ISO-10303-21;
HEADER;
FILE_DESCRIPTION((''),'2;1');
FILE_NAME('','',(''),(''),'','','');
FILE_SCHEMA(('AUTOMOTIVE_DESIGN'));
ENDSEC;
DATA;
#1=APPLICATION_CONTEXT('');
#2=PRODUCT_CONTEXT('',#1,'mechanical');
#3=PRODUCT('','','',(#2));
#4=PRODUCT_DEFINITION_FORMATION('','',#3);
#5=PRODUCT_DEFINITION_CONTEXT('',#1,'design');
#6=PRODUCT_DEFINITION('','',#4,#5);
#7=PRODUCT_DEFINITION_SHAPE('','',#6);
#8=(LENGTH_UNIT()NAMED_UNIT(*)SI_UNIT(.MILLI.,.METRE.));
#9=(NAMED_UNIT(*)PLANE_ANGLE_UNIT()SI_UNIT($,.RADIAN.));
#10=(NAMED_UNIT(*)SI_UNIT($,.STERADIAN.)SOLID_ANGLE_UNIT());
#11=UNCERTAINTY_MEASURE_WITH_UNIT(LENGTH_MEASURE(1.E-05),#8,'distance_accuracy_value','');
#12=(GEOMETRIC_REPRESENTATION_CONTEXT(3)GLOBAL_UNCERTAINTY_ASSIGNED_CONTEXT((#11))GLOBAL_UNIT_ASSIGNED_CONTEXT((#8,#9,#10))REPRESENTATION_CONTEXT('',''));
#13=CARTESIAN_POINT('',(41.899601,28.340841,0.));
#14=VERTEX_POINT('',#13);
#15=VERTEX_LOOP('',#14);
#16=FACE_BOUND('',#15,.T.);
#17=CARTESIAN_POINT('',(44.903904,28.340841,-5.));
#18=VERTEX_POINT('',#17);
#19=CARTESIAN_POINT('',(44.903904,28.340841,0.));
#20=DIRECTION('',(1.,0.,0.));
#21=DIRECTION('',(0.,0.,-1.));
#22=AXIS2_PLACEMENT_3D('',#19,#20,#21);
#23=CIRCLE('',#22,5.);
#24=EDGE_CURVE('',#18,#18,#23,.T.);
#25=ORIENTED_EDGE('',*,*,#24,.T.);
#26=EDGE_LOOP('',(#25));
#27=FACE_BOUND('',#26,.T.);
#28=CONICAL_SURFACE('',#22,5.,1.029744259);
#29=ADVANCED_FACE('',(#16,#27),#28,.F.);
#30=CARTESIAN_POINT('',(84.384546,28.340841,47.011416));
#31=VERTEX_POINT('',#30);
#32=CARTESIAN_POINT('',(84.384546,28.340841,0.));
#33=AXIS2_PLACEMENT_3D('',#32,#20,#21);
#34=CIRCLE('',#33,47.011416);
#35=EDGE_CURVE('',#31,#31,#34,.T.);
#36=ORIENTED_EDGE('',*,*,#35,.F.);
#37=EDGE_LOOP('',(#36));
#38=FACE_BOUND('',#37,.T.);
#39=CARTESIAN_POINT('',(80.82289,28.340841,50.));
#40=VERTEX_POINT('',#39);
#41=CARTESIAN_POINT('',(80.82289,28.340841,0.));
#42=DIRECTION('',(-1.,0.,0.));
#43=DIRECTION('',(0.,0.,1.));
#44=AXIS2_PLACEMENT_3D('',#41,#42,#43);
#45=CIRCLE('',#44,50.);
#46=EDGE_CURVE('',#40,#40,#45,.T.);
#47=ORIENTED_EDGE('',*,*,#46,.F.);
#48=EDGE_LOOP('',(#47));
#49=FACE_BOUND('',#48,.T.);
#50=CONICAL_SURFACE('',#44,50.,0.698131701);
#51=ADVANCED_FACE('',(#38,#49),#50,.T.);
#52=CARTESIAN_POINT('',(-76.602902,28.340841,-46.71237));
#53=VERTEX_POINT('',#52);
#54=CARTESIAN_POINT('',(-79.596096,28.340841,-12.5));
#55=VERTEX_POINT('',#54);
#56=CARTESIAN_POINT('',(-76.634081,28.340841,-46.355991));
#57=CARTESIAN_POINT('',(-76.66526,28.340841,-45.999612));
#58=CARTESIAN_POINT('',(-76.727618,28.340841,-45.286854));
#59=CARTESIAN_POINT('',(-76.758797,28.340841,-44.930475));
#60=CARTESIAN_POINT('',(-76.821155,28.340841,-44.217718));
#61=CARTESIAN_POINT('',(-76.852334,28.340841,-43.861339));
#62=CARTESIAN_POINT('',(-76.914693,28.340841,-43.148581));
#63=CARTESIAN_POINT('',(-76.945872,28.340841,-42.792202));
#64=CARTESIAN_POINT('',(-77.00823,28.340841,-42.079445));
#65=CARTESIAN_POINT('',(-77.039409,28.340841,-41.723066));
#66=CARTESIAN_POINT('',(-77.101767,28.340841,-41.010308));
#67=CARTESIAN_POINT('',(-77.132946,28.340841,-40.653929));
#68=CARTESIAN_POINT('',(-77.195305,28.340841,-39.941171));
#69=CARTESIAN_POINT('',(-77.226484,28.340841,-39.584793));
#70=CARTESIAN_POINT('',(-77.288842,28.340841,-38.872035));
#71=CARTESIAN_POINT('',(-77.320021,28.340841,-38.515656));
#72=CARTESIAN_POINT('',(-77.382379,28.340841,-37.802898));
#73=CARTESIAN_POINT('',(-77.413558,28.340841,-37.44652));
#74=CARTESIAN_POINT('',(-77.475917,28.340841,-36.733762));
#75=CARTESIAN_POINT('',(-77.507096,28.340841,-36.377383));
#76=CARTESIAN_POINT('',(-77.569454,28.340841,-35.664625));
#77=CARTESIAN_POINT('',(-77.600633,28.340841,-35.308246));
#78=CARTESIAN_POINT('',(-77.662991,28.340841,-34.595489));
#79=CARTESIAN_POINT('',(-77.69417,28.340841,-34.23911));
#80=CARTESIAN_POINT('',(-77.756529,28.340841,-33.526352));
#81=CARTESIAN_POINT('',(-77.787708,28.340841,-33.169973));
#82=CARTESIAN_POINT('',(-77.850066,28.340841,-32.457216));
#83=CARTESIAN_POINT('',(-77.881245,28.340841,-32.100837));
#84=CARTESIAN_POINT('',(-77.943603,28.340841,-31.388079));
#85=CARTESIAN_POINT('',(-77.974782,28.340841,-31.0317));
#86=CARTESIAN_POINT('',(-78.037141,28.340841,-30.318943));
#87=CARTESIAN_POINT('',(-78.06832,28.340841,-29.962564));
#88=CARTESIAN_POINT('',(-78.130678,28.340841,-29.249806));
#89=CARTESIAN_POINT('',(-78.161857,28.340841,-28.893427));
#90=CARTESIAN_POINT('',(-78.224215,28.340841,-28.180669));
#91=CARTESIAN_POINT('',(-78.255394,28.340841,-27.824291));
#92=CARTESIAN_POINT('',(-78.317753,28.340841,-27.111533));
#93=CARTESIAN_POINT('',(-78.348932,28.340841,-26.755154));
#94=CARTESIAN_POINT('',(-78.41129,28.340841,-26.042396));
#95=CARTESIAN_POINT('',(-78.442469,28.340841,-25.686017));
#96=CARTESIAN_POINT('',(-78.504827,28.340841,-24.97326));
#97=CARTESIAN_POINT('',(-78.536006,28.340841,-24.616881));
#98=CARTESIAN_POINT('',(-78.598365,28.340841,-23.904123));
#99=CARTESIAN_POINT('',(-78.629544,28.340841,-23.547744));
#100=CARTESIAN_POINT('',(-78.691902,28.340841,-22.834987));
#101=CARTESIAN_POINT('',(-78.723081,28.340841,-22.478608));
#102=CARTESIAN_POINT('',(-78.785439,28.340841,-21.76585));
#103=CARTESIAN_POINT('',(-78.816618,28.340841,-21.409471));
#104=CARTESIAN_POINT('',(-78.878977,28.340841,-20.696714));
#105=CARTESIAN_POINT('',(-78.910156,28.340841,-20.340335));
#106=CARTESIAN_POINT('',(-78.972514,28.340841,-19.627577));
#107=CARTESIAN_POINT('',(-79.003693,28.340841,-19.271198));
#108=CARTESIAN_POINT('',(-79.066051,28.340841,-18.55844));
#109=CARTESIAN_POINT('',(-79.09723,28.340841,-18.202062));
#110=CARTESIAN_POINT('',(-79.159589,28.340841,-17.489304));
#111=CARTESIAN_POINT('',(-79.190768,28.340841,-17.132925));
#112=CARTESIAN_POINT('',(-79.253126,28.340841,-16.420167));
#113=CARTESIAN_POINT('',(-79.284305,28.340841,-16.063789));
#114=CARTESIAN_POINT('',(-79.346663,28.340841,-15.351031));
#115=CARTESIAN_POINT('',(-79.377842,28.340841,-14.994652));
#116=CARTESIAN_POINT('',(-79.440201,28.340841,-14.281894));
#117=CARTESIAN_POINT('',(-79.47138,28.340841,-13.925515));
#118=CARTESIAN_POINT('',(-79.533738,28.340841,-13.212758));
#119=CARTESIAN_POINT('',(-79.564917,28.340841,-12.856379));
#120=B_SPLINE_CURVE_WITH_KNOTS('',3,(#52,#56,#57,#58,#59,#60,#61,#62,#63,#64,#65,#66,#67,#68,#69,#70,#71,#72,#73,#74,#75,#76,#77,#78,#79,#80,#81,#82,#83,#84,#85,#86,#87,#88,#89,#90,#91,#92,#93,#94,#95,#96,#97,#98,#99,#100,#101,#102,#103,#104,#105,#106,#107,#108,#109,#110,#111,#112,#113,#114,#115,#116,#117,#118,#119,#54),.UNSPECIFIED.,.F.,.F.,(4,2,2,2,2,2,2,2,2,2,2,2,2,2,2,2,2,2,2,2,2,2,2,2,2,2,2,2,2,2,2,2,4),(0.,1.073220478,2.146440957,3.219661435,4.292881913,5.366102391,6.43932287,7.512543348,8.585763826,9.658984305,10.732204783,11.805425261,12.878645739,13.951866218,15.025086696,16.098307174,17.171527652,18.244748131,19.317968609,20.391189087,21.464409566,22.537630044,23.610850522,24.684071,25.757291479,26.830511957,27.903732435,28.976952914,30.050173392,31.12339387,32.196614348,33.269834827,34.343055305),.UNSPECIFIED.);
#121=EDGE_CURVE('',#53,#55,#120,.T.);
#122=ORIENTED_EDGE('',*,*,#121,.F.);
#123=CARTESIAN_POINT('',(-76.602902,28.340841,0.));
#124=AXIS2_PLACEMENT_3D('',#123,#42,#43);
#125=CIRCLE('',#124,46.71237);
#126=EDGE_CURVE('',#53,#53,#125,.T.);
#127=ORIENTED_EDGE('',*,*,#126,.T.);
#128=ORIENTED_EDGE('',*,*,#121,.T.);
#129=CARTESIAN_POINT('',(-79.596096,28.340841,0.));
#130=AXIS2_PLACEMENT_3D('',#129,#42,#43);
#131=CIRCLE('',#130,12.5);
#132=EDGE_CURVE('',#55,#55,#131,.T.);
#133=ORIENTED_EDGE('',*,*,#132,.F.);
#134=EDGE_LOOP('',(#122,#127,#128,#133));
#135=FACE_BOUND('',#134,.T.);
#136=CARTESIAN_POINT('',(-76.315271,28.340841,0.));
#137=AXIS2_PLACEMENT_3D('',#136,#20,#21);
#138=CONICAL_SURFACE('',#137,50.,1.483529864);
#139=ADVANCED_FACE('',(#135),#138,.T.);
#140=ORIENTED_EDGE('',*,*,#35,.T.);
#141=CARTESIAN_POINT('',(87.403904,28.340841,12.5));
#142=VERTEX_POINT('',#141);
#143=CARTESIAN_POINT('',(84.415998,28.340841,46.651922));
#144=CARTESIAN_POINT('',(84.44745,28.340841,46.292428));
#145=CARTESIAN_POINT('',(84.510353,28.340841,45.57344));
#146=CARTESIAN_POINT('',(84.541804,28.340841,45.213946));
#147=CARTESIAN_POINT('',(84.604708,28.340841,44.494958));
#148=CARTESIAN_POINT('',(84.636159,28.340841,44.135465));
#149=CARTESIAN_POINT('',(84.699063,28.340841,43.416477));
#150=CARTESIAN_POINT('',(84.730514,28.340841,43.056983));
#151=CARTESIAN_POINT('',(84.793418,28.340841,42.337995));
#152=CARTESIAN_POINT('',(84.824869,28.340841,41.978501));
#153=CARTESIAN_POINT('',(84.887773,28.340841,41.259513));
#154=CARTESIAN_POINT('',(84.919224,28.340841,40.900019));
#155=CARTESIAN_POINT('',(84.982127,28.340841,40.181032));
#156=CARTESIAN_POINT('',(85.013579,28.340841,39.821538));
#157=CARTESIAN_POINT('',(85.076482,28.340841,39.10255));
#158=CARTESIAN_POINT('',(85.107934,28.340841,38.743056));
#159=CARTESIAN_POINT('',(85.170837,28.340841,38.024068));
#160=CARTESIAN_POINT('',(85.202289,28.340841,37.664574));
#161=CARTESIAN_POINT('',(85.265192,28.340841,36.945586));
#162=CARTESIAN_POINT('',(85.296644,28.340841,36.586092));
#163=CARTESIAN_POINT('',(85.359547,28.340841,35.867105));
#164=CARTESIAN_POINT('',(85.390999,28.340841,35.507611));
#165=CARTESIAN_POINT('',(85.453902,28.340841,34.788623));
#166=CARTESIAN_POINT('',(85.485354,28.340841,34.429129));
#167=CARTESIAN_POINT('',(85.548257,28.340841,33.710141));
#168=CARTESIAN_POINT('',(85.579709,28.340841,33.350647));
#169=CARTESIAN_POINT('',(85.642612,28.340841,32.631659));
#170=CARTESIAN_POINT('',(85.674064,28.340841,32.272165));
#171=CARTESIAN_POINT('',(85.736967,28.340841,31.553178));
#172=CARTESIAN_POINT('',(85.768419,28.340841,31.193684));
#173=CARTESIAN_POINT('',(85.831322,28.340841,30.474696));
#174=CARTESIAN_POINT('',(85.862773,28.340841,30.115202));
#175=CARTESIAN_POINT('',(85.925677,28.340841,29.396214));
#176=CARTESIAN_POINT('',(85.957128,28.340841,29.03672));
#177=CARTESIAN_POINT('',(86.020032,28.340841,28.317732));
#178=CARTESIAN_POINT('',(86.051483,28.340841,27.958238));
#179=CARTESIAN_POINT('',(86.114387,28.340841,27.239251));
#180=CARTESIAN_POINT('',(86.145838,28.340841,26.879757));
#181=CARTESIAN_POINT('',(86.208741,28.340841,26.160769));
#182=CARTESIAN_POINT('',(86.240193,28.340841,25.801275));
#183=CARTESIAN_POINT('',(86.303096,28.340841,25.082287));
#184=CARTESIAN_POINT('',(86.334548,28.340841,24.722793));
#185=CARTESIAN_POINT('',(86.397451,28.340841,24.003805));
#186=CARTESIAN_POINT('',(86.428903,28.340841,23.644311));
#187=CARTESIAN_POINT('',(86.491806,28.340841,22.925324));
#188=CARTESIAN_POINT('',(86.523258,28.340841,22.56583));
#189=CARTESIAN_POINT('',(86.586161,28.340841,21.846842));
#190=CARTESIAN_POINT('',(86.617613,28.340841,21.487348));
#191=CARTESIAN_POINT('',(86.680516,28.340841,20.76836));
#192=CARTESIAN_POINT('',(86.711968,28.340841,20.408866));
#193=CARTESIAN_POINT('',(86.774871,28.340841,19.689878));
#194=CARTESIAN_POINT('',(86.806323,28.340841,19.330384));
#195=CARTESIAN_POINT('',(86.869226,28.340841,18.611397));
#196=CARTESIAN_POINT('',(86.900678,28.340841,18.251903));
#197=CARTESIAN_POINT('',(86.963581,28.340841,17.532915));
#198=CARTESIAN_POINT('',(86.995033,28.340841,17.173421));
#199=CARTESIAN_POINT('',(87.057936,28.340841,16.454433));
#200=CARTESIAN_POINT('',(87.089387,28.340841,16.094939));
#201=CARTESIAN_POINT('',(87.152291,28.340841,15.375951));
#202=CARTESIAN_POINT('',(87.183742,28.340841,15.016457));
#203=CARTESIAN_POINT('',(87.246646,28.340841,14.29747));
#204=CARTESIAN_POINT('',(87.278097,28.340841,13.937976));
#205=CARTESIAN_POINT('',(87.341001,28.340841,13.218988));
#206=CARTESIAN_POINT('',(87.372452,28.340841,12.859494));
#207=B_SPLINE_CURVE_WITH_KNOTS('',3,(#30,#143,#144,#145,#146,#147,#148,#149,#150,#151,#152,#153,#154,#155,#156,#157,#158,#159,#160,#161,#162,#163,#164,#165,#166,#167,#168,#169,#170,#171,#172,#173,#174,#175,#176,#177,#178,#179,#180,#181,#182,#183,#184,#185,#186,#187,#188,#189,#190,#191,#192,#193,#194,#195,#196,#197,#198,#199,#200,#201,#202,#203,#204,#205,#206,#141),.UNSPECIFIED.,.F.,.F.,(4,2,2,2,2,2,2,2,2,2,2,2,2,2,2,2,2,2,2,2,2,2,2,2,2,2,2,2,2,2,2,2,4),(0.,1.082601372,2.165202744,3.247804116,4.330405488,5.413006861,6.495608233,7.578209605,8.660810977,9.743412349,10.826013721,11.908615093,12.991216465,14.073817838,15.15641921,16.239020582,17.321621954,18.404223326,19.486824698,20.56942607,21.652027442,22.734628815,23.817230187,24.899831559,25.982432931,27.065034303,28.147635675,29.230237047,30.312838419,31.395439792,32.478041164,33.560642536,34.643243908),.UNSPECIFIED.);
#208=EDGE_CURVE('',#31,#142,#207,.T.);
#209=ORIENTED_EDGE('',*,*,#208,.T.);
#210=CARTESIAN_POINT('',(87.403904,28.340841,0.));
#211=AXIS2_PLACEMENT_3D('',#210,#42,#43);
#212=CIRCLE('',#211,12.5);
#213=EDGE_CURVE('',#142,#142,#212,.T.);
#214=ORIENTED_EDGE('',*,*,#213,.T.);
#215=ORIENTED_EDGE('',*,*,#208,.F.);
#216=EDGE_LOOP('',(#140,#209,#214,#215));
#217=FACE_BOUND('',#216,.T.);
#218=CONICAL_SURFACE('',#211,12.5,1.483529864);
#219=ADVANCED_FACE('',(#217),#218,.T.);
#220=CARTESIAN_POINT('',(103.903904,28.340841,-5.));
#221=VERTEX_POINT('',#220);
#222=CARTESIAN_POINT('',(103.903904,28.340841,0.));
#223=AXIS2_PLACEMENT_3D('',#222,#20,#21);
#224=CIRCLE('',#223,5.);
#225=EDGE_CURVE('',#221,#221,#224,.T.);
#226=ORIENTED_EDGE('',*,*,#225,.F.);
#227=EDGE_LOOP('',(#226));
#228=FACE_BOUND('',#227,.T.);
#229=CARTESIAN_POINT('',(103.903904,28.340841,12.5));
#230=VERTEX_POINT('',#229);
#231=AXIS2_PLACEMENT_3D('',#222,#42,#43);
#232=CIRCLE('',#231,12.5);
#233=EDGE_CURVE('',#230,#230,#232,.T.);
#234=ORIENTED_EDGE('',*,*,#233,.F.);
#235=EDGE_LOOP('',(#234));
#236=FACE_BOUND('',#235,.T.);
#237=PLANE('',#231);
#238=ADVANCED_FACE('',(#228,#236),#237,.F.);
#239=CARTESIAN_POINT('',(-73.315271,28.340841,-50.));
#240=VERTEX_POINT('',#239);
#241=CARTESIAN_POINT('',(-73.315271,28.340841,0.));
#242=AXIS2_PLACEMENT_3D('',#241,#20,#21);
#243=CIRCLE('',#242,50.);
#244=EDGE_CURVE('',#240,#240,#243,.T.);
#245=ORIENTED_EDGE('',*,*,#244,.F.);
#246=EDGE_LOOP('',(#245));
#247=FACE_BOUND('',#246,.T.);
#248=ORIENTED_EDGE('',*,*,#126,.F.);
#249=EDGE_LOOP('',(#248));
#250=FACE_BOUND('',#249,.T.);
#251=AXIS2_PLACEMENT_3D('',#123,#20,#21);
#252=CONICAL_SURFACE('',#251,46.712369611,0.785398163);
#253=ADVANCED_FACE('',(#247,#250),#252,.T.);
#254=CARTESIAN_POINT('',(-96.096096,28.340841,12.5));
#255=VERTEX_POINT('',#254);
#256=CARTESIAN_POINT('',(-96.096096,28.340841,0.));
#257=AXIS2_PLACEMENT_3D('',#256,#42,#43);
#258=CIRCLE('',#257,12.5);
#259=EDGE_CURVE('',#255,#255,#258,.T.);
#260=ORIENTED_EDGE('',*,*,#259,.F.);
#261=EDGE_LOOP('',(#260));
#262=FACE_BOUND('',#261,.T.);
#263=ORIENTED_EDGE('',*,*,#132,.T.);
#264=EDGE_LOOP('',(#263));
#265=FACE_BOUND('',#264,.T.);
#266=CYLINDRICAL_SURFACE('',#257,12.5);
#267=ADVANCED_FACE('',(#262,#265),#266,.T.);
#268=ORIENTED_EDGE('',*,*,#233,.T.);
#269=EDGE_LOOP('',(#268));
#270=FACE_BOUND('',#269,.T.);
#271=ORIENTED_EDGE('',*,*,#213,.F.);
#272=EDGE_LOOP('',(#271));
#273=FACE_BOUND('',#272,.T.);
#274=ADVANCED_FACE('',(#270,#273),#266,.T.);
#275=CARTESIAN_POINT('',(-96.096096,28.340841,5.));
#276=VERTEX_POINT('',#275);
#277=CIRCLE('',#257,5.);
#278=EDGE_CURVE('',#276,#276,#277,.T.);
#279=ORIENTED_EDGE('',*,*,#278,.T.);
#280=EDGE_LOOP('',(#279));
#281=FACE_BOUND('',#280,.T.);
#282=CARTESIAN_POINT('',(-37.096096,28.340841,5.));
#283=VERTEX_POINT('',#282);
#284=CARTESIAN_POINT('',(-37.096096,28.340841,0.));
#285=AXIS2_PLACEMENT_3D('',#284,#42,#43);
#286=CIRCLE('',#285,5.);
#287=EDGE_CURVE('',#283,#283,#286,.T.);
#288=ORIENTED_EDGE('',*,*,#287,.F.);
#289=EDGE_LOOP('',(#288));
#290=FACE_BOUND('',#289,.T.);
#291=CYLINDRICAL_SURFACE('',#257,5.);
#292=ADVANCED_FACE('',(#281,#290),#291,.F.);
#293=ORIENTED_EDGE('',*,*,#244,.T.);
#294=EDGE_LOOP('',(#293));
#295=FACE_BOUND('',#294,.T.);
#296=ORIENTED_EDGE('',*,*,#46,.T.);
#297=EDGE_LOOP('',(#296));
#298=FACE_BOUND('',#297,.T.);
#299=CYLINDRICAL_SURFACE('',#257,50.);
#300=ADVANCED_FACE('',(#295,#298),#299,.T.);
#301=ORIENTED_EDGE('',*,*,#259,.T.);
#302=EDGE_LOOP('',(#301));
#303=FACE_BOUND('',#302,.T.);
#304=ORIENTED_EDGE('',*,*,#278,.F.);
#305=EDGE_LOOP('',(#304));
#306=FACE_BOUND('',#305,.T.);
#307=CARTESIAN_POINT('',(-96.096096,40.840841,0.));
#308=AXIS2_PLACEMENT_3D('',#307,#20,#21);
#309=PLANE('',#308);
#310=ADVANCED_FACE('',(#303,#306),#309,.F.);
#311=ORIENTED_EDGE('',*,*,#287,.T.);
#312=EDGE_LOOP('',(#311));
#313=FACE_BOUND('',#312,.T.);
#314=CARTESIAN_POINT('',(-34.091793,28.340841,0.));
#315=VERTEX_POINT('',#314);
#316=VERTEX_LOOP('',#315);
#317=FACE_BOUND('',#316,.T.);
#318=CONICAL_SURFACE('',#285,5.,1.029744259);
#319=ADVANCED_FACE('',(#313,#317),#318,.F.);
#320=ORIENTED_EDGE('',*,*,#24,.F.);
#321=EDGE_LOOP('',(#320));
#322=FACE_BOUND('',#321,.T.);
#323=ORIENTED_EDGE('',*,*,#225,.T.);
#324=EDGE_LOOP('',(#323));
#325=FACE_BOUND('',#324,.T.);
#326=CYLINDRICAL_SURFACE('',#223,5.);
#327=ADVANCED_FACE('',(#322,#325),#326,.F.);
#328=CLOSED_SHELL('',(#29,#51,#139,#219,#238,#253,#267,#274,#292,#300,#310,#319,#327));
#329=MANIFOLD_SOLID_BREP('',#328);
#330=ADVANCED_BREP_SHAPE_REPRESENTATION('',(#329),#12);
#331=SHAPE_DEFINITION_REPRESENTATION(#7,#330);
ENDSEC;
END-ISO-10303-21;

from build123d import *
from OCP.BRepFilletAPI import BRepFilletAPI_MakeChamfer

# Parameters (mm, degrees)
CHAMFER1_SIZE              = 3
CHAMFER1_SIZE2             = 3.300188603
F_10_0MM_DOWEL_HOLE1_D     = 10
F_10_0MM_DOWEL_HOLE1_DEPTH = 59
F_10_0MM_DOWEL_HOLE1_TIP   = 3.004303095
F_10_0MM_DOWEL_HOLE2_D     = 10
F_10_0MM_DOWEL_HOLE2_DEPTH = 59
F_10_0MM_DOWEL_HOLE2_TIP   = 3.004303095


with BuildPart() as part:
    # Sketch1 → Revolve1 (revolve)
    with BuildSketch(Plane.XY):
        Polygon((-96.096096096, 28.340840841), (103.903903904, 28.340840841), (103.903903904, 40.840840841), (87.403903904, 40.840840841), (84.123079022, 78.340840841), (-76.315271214, 78.340840841), (-79.596096096, 40.840840841), (-96.096096096, 40.840840841), align=None)
    revolve(axis=Axis((-96.096096096, 28.340840841, 0), (1, 0, 0)))

    # Chamfer1: one chamfer whose edges measure the first distance from different faces: ONE call of the kernel's chamfer builder (chamfer() names one face for all edges)
    chamfer1_edges_1 = [part.edges().sort_by_distance(p)[0] for p in [
        (84.123079022, -21.659159159, 0),
    ]]
    chamfer1_side_1 = [part.faces().sort_by_distance(p)[0] for p in [
        (85.763491463, -2.909159159, 0),
    ]]
    chamfer1_edges_2 = [part.edges().sort_by_distance(p)[0] for p in [
        (-76.315271214, -21.659159159, 0),
    ]]
    chamfer1_side_2 = [part.faces().sort_by_distance(p)[0] for p in [
        (3.903903904, -21.659159159, 0),
    ]]
    chamfer1 = BRepFilletAPI_MakeChamfer(part.part.solid().wrapped)
    for e in chamfer1_edges_1:
        chamfer1.Add(CHAMFER1_SIZE, CHAMFER1_SIZE2, e.wrapped, chamfer1_side_1[0].wrapped)  # the first distance lies on this face
    for e in chamfer1_edges_2:
        chamfer1.Add(CHAMFER1_SIZE, CHAMFER1_SIZE2, e.wrapped, chamfer1_side_2[0].wrapped)  # the first distance lies on this face
    add(Compound.cast(chamfer1.Shape()), mode=Mode.REPLACE)

    # Ø10.0mm Dowel Hole1
    with Locations(Plane(origin=(103.903903904, 0, 0), x_dir=(0, 0, -1), z_dir=(1, 0, 0))):
        with Locations((0, 28.340840841)):
            Hole(F_10_0MM_DOWEL_HOLE1_D / 2, depth=F_10_0MM_DOWEL_HOLE1_DEPTH)
            with Locations((0, 0, -(F_10_0MM_DOWEL_HOLE1_DEPTH + F_10_0MM_DOWEL_HOLE1_TIP / 2))):  # 118° drill point
                Cone(0, F_10_0MM_DOWEL_HOLE1_D / 2, F_10_0MM_DOWEL_HOLE1_TIP, mode=Mode.SUBTRACT)

    # Ø10.0mm Dowel Hole2
    with Locations(Plane.ZY.offset(96.096096096)):
        with Locations((0, 28.340840841)):
            Hole(F_10_0MM_DOWEL_HOLE2_D / 2, depth=F_10_0MM_DOWEL_HOLE2_DEPTH)
            with Locations((0, 0, -(F_10_0MM_DOWEL_HOLE2_DEPTH + F_10_0MM_DOWEL_HOLE2_TIP / 2))):  # 118° drill point
                Cone(0, F_10_0MM_DOWEL_HOLE2_D / 2, F_10_0MM_DOWEL_HOLE2_TIP, mode=Mode.SUBTRACT)


solid = part.part
